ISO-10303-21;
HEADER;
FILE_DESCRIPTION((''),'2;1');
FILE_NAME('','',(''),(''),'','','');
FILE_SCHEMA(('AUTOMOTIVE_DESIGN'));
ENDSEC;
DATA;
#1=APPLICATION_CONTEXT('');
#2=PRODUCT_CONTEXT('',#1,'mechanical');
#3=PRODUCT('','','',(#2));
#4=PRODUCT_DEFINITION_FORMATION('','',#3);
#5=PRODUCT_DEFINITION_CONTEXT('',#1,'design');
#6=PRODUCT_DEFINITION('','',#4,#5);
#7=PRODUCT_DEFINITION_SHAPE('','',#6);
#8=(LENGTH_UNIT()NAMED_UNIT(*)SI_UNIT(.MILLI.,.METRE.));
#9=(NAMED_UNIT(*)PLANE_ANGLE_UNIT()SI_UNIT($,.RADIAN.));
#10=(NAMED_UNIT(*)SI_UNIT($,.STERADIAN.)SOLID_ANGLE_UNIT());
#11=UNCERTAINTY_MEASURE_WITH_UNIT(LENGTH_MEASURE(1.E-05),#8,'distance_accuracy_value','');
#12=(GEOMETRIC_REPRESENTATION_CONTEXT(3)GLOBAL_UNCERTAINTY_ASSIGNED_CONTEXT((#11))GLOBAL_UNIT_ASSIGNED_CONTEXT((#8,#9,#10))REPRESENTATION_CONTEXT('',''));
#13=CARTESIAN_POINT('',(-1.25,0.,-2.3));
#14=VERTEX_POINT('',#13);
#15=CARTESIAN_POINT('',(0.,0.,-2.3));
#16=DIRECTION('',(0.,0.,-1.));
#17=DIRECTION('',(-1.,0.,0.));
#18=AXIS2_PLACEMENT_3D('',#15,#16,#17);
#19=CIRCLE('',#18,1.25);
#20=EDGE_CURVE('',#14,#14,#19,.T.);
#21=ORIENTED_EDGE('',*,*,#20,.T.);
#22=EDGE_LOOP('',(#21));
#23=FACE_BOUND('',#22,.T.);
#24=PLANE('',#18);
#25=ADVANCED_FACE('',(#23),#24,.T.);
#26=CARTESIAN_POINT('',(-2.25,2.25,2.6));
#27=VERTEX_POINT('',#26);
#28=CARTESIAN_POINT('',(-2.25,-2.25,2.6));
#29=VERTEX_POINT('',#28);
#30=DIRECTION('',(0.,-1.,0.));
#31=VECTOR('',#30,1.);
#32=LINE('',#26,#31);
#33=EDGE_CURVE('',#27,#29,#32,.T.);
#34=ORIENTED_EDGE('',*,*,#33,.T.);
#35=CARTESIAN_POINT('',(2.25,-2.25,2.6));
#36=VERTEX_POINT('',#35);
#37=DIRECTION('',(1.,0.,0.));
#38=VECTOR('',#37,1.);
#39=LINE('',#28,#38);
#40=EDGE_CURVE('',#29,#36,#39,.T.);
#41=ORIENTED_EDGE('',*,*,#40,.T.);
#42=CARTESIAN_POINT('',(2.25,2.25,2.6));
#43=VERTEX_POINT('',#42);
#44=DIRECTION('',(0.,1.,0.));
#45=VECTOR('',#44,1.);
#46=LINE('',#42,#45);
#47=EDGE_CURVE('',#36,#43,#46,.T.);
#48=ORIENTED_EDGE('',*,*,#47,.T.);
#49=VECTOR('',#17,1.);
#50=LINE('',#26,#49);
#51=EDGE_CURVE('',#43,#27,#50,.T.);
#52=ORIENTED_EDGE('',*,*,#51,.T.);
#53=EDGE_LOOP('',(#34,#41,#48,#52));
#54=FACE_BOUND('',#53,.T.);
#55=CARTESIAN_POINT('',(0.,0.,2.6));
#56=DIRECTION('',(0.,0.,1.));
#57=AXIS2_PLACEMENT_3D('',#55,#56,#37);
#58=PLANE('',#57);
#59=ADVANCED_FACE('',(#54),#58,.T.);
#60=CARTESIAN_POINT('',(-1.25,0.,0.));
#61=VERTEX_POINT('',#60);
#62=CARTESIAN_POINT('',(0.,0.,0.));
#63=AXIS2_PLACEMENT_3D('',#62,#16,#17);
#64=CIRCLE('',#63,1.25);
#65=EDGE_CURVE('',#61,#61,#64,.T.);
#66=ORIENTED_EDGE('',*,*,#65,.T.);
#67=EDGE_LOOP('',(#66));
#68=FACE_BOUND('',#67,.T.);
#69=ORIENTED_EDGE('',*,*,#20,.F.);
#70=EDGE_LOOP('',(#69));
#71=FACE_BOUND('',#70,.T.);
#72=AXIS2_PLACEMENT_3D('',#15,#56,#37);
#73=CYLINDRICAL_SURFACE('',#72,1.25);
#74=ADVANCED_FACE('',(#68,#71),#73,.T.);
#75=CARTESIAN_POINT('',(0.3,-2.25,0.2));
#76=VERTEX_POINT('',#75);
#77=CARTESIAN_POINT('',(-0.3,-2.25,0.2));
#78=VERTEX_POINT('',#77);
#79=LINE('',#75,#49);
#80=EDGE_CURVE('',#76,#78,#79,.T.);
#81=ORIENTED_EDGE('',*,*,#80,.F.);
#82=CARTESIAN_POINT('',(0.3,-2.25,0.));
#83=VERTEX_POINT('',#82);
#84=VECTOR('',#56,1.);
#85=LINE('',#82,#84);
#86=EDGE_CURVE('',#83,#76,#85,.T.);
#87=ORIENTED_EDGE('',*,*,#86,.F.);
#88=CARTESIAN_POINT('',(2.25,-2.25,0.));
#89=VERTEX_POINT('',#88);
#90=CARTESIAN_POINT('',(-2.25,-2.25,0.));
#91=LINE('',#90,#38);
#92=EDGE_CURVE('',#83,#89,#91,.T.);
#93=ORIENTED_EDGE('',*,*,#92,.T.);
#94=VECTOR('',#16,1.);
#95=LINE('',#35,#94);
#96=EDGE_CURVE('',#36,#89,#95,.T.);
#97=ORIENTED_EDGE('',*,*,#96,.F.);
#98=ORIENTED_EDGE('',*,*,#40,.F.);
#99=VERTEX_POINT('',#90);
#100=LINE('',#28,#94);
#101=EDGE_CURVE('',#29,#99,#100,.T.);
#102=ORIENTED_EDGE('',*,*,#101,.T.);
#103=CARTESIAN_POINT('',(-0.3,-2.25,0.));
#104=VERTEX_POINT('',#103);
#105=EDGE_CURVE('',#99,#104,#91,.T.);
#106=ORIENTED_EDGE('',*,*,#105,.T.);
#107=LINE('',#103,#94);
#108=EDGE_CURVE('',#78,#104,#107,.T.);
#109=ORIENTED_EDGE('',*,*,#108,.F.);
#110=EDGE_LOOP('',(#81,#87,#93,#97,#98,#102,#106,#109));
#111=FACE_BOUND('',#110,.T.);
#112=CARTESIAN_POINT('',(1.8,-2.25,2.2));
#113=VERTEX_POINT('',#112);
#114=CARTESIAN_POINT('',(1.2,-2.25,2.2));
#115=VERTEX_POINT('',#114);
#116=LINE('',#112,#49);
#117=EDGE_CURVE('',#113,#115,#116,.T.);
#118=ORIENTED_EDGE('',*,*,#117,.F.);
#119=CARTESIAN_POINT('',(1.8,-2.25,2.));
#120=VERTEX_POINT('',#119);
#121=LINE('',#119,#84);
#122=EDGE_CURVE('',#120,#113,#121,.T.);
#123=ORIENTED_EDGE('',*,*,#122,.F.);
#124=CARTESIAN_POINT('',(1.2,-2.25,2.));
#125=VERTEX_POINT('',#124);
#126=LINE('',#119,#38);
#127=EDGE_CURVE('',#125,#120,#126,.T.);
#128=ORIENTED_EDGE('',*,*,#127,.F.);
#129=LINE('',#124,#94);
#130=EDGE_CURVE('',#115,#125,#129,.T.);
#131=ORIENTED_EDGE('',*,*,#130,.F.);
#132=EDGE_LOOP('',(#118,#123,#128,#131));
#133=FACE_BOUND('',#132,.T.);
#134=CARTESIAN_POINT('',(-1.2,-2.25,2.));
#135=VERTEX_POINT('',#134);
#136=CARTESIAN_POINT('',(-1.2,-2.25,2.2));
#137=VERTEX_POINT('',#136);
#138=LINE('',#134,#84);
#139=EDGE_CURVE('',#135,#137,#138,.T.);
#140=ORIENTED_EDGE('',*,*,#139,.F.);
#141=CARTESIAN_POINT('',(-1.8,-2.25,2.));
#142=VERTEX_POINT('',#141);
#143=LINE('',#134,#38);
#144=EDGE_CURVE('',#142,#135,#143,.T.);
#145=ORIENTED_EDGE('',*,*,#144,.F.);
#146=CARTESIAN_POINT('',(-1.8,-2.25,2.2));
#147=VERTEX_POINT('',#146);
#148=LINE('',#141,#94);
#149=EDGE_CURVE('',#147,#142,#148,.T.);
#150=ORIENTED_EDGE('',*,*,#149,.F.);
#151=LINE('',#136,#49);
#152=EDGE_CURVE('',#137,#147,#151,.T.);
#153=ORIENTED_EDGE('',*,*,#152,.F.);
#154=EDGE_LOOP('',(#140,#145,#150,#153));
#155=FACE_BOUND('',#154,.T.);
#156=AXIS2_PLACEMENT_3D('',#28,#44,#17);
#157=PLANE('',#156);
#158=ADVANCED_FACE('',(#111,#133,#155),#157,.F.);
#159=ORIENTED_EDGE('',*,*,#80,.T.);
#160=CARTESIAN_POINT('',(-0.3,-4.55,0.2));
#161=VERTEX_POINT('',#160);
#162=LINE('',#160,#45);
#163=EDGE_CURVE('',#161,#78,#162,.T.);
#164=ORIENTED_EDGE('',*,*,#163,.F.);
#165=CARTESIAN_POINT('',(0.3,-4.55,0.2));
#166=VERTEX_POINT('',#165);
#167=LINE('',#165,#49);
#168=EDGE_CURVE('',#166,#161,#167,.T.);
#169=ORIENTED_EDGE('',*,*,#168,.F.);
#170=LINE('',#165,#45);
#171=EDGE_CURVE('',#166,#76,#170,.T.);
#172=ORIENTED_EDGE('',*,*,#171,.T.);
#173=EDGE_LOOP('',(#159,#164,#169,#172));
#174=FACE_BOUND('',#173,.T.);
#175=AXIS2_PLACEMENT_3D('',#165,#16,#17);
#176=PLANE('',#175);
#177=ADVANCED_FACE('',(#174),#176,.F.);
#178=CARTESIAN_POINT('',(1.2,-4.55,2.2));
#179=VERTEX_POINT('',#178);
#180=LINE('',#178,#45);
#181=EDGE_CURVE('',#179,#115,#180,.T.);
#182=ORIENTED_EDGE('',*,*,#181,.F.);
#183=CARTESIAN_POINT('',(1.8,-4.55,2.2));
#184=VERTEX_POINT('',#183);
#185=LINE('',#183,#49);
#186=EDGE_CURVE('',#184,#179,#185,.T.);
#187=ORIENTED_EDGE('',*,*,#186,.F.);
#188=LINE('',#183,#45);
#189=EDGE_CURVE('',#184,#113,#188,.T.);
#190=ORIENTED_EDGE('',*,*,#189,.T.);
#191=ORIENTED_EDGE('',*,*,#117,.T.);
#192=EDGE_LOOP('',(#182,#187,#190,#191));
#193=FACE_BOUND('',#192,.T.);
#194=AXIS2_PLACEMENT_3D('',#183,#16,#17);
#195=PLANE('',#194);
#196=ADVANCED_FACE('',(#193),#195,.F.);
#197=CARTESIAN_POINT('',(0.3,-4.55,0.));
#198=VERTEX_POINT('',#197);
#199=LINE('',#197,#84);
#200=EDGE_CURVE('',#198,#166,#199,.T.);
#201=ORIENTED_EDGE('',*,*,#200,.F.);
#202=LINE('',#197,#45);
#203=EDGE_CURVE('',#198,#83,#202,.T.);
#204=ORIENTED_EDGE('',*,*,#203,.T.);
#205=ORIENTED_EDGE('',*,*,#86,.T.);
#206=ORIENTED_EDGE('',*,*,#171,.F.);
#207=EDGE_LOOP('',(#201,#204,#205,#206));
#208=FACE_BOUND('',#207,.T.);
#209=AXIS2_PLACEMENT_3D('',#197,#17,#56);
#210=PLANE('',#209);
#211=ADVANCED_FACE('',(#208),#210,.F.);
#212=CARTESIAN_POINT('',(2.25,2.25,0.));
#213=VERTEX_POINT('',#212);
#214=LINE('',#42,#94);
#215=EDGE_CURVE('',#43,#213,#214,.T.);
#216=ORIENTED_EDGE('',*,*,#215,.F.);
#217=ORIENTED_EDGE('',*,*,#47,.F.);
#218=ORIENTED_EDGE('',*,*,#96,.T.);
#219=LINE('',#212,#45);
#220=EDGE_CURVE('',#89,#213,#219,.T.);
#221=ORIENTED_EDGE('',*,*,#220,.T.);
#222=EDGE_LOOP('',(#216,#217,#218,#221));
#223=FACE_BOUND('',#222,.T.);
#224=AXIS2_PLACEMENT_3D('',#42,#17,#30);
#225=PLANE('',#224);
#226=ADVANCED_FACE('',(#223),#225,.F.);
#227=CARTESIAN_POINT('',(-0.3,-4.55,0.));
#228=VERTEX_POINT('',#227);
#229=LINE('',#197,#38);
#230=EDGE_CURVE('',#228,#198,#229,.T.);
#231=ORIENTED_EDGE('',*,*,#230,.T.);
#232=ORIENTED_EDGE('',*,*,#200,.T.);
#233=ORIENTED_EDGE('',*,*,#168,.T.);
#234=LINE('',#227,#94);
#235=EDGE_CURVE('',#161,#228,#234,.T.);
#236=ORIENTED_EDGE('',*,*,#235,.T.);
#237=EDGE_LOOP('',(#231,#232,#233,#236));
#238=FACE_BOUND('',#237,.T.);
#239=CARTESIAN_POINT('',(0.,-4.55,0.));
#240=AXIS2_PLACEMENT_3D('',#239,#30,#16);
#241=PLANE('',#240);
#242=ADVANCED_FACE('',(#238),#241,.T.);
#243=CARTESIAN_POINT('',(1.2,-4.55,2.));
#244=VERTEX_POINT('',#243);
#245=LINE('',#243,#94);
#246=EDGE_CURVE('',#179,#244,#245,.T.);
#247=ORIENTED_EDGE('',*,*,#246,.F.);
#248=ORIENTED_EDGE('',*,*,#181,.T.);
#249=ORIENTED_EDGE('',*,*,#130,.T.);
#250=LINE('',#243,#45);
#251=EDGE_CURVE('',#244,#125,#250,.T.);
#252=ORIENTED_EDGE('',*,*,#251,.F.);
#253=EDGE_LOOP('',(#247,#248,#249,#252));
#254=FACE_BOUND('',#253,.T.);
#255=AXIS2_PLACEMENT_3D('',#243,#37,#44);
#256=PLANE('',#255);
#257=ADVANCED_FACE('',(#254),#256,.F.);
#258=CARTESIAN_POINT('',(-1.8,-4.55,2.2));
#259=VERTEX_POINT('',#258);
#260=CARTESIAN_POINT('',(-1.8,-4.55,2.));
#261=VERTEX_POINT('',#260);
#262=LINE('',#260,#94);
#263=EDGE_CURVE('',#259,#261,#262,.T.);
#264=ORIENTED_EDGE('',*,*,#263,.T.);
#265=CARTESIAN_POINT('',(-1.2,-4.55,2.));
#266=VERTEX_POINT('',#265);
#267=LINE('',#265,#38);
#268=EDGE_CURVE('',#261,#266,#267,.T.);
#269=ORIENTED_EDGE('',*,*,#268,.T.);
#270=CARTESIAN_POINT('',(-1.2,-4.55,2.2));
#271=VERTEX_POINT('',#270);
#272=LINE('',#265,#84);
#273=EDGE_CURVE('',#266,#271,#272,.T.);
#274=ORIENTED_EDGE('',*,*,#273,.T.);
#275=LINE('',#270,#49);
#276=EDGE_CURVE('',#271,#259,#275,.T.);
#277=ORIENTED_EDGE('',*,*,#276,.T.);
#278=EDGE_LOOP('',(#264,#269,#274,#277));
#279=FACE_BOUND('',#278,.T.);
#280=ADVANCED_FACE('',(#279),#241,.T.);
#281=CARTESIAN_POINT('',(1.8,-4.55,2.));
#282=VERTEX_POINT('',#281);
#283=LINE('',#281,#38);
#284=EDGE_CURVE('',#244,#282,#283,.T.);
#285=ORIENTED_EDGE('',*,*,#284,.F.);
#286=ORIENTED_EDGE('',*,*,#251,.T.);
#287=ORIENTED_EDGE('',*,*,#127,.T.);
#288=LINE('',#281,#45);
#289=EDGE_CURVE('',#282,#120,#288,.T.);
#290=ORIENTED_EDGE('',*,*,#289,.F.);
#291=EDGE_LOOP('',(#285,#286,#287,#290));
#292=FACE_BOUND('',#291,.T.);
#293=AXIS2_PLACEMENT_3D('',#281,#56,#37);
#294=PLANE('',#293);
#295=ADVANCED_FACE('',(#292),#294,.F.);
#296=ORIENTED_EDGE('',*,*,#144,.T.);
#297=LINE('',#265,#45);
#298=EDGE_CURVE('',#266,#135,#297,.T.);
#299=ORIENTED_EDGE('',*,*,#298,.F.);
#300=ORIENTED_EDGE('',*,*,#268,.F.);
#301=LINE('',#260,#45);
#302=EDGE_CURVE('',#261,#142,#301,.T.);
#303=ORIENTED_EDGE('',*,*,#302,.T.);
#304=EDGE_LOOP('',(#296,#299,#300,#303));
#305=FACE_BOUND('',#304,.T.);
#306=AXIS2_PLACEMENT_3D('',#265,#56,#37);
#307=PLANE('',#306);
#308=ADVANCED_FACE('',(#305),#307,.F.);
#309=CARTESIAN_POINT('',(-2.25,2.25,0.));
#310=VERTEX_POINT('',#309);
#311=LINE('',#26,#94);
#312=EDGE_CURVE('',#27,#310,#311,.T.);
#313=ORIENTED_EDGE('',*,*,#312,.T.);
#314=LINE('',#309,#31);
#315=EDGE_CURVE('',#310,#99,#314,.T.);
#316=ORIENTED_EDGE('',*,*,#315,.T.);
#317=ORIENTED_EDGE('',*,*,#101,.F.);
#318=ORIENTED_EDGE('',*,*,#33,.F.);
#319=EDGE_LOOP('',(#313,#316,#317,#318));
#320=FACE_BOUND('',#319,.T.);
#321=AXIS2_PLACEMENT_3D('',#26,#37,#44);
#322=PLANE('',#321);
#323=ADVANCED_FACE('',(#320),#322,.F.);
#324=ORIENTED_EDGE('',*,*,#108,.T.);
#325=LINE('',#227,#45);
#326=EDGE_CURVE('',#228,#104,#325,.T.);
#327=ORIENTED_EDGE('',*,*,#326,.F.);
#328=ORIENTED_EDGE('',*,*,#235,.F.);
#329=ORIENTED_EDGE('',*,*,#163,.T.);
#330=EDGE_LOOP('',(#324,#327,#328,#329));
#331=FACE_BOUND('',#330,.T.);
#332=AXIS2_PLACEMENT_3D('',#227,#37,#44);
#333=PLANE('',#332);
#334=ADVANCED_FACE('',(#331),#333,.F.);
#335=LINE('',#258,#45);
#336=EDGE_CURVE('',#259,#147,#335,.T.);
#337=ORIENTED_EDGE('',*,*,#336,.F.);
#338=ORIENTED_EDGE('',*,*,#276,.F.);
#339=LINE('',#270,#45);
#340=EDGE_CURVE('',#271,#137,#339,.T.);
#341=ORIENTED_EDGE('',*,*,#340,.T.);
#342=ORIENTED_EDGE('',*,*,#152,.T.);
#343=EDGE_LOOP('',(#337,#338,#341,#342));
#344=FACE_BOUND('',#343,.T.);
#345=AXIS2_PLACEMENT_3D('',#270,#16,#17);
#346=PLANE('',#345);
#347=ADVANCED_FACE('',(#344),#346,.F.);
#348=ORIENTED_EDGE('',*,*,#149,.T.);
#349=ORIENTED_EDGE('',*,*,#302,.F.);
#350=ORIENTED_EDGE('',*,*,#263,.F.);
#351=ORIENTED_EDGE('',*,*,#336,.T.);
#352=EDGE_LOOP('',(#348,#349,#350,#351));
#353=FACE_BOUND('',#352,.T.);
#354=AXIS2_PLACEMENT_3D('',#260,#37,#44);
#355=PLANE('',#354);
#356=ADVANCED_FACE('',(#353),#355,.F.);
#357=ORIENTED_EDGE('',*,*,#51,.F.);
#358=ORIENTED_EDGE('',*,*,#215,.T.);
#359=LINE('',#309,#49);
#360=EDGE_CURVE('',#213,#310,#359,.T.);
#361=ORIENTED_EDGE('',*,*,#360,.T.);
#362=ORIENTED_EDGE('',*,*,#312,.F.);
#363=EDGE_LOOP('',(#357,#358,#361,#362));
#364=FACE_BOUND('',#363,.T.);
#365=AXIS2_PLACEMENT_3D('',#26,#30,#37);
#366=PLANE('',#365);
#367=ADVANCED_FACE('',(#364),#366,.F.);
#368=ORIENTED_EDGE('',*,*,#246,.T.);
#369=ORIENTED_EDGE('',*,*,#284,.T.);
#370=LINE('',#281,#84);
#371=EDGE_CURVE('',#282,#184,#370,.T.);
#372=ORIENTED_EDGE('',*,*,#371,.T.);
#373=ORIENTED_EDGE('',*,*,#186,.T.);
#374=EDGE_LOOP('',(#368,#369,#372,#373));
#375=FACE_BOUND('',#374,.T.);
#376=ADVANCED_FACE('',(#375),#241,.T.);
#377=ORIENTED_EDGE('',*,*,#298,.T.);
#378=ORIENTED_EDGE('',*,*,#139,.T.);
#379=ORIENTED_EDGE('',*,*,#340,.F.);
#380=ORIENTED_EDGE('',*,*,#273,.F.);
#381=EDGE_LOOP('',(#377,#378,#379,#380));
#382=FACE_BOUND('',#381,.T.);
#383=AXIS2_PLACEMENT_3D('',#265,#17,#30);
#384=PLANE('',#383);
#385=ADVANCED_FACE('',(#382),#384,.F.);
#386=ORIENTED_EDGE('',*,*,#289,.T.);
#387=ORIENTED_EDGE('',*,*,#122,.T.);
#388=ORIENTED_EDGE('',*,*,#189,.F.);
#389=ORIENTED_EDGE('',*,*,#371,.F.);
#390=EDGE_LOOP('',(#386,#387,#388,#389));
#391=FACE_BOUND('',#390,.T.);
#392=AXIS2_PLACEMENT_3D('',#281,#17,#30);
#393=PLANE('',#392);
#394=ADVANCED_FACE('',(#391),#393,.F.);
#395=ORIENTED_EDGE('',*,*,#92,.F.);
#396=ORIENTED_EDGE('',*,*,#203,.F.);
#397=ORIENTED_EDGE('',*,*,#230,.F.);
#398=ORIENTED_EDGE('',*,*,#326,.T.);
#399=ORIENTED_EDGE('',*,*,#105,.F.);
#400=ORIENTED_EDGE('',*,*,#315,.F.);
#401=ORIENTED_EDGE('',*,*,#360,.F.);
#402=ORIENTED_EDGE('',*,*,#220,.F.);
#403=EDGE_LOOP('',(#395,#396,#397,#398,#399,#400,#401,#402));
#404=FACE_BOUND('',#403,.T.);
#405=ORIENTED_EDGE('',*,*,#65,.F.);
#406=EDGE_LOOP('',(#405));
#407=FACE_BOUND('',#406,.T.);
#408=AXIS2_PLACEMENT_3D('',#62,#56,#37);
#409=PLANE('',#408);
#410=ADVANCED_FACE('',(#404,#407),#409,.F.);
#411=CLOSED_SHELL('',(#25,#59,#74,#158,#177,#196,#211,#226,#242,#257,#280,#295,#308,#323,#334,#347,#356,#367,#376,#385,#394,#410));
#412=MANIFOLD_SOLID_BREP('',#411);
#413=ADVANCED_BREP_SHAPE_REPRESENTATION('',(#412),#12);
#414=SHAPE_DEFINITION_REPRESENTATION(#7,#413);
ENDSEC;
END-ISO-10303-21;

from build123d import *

# Parameters (mm, degrees)
SKETCH_1_W      = 4.5
SKETCH_1_H      = 4.5
EXTRUDE_1_DEPTH = 2.6
SKETCH_3_R      = 1.25
EXTRUDE_2_DEPTH = 2.3
SKETCH_4_W      = 0.6
SKETCH_4_H      = 0.2
EXTRUDE_3_DEPTH = 2.3


with BuildPart() as part:
    # 草图1 → 凸台-拉伸1 (new body)
    with BuildSketch(Plane.XY):
        Rectangle(SKETCH_1_W, SKETCH_1_H)
    extrude(amount=EXTRUDE_1_DEPTH)

    # 草图3 → 凸台-拉伸2 (add)
    with BuildSketch(Plane(origin=(0, 0, 0), x_dir=(-1, 0, 0), z_dir=(0, 0, -1))):
        Circle(SKETCH_3_R)
    extrude(amount=EXTRUDE_2_DEPTH)

    # 草图4 → 凸台-拉伸3 (add)
    with BuildSketch(Plane.XZ.offset(2.25)):
        with Locations((0, 0.1)):
            Rectangle(SKETCH_4_W, SKETCH_4_H)
        with Locations((1.5, 2.1)):
            Rectangle(SKETCH_4_W, SKETCH_4_H)
        with Locations((-1.5, 2.1)):
            Rectangle(SKETCH_4_W, SKETCH_4_H)
    extrude(amount=EXTRUDE_3_DEPTH)


solid = part.part
